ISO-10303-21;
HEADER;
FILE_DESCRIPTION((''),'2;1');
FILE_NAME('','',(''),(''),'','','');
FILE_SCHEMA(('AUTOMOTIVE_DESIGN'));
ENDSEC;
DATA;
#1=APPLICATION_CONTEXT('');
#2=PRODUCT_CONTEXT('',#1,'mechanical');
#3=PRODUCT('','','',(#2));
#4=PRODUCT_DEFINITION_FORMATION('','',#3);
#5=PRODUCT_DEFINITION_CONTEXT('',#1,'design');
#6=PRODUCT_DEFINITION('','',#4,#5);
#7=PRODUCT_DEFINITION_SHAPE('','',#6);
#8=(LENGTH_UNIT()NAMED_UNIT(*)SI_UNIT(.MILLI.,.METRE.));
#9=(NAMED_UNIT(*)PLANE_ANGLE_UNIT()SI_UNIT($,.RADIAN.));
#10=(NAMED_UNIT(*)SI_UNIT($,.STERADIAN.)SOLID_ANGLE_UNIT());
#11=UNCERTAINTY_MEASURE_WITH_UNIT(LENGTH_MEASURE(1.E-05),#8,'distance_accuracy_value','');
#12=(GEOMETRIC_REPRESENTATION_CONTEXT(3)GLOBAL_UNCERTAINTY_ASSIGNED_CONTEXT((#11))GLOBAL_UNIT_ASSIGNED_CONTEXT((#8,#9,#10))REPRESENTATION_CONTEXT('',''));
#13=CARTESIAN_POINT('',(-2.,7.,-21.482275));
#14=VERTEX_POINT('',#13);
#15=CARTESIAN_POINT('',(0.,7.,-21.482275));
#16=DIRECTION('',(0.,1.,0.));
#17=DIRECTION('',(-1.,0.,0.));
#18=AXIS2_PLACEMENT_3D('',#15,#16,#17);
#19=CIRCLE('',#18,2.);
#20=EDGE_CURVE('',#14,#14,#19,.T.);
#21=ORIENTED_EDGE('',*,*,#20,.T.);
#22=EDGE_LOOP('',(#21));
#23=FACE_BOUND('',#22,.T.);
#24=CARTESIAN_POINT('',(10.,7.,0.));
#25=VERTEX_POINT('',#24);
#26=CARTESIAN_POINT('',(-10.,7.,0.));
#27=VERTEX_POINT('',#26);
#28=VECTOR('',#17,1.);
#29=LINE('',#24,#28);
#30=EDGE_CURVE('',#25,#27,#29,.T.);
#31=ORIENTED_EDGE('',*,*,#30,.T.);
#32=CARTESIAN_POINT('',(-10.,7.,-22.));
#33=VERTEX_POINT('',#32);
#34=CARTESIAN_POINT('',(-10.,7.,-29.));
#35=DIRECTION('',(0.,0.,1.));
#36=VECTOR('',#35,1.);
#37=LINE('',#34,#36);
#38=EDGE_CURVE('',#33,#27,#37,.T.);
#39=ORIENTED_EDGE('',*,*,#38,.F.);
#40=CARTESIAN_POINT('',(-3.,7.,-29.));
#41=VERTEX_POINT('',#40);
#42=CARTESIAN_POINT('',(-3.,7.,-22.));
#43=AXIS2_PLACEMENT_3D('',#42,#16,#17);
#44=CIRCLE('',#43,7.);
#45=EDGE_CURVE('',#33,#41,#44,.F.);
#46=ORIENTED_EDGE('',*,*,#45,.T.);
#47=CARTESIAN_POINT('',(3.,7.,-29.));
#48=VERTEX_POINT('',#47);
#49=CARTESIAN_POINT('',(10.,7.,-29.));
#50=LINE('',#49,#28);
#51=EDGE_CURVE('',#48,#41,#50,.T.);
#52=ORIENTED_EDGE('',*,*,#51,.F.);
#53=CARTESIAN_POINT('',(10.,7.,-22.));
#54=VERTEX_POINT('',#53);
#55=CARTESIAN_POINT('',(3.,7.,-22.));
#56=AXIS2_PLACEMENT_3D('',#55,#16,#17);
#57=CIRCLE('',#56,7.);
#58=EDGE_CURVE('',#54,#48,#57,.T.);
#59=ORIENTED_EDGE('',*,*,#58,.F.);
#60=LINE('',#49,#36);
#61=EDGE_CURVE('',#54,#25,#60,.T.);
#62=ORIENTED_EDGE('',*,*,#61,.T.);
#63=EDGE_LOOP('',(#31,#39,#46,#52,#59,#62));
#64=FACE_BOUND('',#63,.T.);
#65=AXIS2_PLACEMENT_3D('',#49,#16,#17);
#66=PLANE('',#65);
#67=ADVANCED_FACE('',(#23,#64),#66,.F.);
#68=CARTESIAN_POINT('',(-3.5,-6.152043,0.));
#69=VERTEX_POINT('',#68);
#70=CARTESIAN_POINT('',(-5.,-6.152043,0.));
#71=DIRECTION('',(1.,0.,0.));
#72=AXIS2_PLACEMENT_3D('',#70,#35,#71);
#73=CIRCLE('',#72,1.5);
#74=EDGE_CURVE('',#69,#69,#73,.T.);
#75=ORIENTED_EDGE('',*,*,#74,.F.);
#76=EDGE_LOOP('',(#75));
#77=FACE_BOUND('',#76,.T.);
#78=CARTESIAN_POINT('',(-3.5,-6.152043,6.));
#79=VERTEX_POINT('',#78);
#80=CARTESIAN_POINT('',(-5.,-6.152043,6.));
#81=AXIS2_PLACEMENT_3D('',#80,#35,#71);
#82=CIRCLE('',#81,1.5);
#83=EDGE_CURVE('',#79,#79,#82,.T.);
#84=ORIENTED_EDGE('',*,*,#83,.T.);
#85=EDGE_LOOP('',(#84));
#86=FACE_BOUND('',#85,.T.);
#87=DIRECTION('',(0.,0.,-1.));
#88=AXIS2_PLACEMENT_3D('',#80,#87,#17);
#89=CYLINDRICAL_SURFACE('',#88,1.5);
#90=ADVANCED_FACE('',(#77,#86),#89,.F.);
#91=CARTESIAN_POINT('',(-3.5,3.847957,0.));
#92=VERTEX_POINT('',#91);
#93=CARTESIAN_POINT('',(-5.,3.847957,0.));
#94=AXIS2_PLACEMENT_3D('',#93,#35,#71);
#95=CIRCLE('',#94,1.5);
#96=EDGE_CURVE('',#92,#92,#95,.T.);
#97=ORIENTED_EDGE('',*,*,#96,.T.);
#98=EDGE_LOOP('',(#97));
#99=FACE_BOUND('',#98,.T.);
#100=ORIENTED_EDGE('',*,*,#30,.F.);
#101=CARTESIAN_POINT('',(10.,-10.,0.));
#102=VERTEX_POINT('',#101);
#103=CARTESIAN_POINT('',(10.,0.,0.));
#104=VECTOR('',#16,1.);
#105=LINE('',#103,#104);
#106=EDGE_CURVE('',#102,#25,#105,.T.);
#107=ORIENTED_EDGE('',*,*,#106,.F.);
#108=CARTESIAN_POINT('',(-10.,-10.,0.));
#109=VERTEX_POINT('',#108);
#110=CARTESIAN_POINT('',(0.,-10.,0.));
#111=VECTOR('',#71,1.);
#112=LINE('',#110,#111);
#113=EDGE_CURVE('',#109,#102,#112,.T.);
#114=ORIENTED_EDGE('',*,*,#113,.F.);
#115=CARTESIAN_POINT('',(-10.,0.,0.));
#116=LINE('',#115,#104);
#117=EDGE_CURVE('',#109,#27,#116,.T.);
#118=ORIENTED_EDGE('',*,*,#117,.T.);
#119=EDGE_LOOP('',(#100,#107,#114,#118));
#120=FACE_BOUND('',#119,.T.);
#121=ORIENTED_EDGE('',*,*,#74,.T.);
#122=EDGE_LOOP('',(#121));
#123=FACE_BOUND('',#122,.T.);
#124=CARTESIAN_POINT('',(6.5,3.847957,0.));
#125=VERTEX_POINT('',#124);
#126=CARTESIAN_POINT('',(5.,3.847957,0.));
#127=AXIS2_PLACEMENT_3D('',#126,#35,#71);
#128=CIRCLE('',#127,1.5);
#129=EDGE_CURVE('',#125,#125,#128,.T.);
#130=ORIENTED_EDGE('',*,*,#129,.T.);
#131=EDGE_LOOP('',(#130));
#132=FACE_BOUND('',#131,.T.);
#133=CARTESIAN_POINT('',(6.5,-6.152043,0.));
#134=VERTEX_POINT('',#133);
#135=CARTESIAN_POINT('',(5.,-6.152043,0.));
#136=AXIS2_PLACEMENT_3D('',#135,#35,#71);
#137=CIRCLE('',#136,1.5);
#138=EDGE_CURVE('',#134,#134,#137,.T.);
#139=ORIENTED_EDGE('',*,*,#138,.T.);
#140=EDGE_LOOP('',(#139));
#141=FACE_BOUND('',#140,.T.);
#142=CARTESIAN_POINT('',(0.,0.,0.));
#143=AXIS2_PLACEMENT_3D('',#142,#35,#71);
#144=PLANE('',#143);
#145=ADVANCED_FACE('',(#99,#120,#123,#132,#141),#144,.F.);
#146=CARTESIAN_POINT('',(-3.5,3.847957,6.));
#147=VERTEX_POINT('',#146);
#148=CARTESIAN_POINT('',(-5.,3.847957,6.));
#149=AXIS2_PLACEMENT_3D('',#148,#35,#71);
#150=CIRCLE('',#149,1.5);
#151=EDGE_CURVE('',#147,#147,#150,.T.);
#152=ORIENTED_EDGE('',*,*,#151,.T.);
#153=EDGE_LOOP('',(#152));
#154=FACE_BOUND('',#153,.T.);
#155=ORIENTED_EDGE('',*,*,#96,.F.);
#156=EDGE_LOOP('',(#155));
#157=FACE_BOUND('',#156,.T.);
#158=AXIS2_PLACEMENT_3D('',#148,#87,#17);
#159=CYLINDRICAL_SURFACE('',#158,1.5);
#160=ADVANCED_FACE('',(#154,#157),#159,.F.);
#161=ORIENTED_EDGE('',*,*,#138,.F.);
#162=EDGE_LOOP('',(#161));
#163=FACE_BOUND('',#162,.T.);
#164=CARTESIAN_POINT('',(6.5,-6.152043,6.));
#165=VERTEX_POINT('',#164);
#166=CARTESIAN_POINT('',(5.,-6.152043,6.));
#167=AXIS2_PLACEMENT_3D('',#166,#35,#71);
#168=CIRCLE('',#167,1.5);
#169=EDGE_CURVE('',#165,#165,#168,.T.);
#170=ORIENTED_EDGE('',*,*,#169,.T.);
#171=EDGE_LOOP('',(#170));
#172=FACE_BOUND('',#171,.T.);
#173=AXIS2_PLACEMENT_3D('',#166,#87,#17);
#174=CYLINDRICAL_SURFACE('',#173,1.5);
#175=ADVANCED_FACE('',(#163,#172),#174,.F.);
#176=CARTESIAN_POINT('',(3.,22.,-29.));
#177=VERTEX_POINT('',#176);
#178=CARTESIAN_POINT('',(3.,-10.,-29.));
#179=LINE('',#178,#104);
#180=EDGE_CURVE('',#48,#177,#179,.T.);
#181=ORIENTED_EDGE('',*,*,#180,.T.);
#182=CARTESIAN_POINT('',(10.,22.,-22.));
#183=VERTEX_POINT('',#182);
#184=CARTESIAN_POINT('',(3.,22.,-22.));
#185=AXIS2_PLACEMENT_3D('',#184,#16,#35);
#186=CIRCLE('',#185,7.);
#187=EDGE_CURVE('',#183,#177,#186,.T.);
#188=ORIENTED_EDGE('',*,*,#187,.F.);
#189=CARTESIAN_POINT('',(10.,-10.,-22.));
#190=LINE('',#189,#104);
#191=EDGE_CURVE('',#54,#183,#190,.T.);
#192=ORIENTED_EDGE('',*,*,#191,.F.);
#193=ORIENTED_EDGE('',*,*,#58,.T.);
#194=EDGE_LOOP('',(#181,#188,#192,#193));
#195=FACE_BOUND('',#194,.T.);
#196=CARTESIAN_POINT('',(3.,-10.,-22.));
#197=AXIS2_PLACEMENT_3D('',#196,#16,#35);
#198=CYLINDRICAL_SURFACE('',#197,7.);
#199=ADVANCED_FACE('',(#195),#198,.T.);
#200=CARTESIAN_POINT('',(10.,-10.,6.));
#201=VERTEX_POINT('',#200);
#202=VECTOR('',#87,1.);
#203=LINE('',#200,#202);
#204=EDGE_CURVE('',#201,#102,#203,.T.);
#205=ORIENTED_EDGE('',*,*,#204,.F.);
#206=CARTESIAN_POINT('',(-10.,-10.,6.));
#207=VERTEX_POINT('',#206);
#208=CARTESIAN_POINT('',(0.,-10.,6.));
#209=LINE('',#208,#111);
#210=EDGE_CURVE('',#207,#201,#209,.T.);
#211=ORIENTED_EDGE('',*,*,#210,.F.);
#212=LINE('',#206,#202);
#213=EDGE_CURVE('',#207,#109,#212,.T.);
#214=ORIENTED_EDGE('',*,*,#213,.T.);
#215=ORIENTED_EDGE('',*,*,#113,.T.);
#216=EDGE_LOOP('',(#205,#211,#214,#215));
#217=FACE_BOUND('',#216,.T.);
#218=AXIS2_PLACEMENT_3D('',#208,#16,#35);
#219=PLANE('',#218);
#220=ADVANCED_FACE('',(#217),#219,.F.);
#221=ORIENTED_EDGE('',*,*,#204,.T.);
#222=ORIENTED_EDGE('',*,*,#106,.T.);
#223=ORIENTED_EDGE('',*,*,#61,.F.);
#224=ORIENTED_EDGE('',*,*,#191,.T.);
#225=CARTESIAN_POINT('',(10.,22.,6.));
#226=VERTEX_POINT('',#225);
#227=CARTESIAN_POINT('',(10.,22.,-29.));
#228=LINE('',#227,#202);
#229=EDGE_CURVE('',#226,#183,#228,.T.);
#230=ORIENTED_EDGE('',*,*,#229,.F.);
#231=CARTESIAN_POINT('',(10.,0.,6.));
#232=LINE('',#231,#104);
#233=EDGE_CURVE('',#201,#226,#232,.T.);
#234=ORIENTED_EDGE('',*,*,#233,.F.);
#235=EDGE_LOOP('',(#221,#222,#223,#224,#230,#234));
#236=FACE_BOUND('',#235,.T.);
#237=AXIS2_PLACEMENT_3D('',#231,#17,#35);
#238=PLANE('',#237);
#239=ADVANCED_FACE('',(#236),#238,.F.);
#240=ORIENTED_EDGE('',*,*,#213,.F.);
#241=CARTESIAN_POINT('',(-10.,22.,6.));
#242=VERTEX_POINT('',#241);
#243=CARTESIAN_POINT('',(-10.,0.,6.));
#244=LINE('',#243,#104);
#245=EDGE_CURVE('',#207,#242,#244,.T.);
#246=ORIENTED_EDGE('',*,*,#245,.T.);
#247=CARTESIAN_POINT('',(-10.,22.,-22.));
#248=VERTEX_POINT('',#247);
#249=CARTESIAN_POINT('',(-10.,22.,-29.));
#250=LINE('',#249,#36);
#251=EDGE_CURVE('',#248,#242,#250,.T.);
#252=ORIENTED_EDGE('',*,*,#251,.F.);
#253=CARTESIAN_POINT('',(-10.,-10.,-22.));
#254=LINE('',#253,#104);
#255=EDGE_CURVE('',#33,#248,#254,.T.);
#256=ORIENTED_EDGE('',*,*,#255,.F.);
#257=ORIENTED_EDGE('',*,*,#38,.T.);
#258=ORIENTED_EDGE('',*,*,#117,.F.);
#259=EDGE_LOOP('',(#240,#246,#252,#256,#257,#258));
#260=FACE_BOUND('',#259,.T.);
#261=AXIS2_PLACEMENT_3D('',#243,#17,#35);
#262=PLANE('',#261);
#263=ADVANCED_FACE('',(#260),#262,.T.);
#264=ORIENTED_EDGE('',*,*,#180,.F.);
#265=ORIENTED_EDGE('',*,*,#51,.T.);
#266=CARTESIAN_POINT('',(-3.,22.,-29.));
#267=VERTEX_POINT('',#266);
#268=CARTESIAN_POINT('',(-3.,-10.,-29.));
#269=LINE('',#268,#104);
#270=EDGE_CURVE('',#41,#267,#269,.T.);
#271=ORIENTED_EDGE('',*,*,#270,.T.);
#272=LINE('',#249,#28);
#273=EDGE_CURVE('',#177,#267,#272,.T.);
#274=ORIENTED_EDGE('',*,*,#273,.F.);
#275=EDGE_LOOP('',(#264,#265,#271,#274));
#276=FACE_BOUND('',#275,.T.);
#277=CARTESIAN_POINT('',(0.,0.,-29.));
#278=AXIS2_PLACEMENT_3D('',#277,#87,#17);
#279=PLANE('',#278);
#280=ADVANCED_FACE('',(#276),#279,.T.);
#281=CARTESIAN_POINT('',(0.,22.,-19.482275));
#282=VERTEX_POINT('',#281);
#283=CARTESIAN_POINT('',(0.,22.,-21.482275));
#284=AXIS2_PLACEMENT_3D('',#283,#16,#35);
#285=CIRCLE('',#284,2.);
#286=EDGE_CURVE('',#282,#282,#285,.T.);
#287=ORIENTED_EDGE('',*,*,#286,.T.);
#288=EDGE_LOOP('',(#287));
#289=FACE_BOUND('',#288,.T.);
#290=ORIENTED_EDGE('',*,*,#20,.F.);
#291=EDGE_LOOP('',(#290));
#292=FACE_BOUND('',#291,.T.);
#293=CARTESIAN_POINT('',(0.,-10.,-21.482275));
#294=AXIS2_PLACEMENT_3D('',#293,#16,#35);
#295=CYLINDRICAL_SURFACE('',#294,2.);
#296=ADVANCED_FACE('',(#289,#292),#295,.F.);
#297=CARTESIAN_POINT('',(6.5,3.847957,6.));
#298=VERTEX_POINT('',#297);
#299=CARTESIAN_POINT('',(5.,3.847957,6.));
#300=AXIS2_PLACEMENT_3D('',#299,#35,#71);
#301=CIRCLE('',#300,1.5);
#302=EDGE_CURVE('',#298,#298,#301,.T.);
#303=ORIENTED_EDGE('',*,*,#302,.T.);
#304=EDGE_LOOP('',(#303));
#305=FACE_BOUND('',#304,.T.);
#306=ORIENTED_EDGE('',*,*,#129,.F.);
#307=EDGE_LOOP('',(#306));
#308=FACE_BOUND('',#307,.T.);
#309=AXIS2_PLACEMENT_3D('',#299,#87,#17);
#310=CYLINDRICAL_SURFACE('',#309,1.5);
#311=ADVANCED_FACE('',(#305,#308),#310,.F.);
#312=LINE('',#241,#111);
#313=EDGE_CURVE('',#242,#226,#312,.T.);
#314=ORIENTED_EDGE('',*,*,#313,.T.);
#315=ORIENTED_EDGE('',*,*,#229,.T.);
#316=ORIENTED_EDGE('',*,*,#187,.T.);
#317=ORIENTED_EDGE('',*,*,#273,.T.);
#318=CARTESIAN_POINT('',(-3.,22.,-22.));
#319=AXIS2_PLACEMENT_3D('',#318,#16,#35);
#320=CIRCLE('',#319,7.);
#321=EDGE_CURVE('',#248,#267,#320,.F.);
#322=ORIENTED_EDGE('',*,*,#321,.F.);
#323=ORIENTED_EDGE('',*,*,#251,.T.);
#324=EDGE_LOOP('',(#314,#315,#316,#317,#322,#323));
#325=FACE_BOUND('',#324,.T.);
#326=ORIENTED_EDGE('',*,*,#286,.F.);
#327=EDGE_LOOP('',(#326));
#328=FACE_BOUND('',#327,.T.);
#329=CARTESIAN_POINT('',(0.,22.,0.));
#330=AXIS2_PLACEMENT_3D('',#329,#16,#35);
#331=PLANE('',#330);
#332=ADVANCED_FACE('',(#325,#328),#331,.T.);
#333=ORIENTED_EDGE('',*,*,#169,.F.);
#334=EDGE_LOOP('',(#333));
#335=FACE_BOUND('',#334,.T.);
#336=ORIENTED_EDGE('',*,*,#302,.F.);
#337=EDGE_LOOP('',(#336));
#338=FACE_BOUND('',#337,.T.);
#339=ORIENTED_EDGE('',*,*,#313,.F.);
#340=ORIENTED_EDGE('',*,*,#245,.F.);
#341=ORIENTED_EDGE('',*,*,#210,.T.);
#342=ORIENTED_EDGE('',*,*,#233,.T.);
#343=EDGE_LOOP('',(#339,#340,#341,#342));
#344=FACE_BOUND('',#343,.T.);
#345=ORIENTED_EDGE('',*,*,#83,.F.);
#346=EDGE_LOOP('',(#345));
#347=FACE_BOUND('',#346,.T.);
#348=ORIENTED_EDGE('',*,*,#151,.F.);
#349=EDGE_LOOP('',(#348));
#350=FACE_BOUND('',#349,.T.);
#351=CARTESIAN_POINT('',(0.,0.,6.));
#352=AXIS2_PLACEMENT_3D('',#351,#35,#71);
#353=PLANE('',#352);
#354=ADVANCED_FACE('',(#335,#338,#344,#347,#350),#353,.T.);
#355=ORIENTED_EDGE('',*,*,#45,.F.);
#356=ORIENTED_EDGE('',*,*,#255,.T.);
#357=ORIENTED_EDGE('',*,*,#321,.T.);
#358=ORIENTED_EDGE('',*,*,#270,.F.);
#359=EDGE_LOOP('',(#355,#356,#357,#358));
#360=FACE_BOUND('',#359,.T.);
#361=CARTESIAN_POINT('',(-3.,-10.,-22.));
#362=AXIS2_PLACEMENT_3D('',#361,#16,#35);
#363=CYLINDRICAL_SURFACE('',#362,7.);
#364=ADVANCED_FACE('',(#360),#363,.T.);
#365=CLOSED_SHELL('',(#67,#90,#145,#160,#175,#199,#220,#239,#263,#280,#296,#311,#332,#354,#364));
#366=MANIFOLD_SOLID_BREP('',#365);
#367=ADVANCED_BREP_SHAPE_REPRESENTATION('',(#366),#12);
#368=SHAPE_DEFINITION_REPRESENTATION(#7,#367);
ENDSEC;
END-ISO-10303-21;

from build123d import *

# Parameters (mm, degrees)
SKETCH_1_W          = 20
SKETCH_1_H          = 20
SKETCH_1_R          = 1.5
EXTRUDE_1_DEPTH     = 6
SKETCH_2_W          = 20
SKETCH_2_H          = 3
EXTRUDE_2_DEPTH     = 29
SKETCH_3_W          = 20
SKETCH_3_H          = 35
EXTRUDE_3_DEPTH     = 12
CUT_EXTRUDE_1_DEPTH = 45.328320519


with BuildPart() as part:
    # Эскиз1 → Бобышка-Вытянуть1 (new body)
    with BuildSketch(Plane.XY):
        Rectangle(SKETCH_1_W, SKETCH_1_H)
        with Locations((-5, -6.152042824)):
            Circle(SKETCH_1_R, mode=Mode.SUBTRACT)
        with Locations((-5, 3.847957176)):
            Circle(SKETCH_1_R, mode=Mode.SUBTRACT)
        with Locations((5, 3.847957176)):
            Circle(SKETCH_1_R, mode=Mode.SUBTRACT)
        with Locations((5, -6.152042824)):
            Circle(SKETCH_1_R, mode=Mode.SUBTRACT)
    extrude(amount=EXTRUDE_1_DEPTH)

    # Эскиз2 → Бобышка-Вытянуть2 (add)
    with BuildSketch(Plane(origin=(0, 0, 0), x_dir=(-1, 0, 0), z_dir=(0, 0, -1))):
        with Locations((0, 8.5)):
            Rectangle(SKETCH_2_W, SKETCH_2_H)
    extrude(amount=EXTRUDE_2_DEPTH)

    # Эскиз3 → Бобышка-Вытянуть3 (add)
    with BuildSketch(Plane(origin=(0, 10, 0), x_dir=(1, 0, 0), z_dir=(0, 1, 0))):
        with Locations((0, 11.5)):
            Rectangle(SKETCH_3_W, SKETCH_3_H)
    extrude(amount=EXTRUDE_3_DEPTH)

    # Эскиз4 → Вырез-Вытянуть1 (cut, through all)
    with BuildSketch(Plane(origin=(0, 22, 0), x_dir=(1, 0, 0), z_dir=(0, 1, 0))):
        with BuildLine():
            Line((-10, 29), (-10, 22))
            ThreePointArc((-10, 22), (-7.949747468, 26.949747468), (-3, 29))
            Line((-3, 29), (-10, 29))
        make_face()
        with BuildLine():
            ThreePointArc((0, 23.482274908), (-2, 21.482274908), (0, 19.482274908))
            Line((0, 19.482274908), (0, 23.482274908))
        make_face()
        with BuildLine():
            Line((0, 23.482274908), (0, 19.482274908))
            ThreePointArc((0, 19.482274908), (1.414213562, 20.068061346), (2, 21.482274908))
            ThreePointArc((2, 21.482274908), (1.414213562, 22.89648847), (0, 23.482274908))
        make_face()
        with BuildLine():
            ThreePointArc((3, 29), (7.949747468, 26.949747468), (10, 22))
            Line((10, 22), (10, 29))
            Line((10, 29), (3, 29))
        make_face()
    extrude(amount=-CUT_EXTRUDE_1_DEPTH, mode=Mode.SUBTRACT)


solid = part.part
